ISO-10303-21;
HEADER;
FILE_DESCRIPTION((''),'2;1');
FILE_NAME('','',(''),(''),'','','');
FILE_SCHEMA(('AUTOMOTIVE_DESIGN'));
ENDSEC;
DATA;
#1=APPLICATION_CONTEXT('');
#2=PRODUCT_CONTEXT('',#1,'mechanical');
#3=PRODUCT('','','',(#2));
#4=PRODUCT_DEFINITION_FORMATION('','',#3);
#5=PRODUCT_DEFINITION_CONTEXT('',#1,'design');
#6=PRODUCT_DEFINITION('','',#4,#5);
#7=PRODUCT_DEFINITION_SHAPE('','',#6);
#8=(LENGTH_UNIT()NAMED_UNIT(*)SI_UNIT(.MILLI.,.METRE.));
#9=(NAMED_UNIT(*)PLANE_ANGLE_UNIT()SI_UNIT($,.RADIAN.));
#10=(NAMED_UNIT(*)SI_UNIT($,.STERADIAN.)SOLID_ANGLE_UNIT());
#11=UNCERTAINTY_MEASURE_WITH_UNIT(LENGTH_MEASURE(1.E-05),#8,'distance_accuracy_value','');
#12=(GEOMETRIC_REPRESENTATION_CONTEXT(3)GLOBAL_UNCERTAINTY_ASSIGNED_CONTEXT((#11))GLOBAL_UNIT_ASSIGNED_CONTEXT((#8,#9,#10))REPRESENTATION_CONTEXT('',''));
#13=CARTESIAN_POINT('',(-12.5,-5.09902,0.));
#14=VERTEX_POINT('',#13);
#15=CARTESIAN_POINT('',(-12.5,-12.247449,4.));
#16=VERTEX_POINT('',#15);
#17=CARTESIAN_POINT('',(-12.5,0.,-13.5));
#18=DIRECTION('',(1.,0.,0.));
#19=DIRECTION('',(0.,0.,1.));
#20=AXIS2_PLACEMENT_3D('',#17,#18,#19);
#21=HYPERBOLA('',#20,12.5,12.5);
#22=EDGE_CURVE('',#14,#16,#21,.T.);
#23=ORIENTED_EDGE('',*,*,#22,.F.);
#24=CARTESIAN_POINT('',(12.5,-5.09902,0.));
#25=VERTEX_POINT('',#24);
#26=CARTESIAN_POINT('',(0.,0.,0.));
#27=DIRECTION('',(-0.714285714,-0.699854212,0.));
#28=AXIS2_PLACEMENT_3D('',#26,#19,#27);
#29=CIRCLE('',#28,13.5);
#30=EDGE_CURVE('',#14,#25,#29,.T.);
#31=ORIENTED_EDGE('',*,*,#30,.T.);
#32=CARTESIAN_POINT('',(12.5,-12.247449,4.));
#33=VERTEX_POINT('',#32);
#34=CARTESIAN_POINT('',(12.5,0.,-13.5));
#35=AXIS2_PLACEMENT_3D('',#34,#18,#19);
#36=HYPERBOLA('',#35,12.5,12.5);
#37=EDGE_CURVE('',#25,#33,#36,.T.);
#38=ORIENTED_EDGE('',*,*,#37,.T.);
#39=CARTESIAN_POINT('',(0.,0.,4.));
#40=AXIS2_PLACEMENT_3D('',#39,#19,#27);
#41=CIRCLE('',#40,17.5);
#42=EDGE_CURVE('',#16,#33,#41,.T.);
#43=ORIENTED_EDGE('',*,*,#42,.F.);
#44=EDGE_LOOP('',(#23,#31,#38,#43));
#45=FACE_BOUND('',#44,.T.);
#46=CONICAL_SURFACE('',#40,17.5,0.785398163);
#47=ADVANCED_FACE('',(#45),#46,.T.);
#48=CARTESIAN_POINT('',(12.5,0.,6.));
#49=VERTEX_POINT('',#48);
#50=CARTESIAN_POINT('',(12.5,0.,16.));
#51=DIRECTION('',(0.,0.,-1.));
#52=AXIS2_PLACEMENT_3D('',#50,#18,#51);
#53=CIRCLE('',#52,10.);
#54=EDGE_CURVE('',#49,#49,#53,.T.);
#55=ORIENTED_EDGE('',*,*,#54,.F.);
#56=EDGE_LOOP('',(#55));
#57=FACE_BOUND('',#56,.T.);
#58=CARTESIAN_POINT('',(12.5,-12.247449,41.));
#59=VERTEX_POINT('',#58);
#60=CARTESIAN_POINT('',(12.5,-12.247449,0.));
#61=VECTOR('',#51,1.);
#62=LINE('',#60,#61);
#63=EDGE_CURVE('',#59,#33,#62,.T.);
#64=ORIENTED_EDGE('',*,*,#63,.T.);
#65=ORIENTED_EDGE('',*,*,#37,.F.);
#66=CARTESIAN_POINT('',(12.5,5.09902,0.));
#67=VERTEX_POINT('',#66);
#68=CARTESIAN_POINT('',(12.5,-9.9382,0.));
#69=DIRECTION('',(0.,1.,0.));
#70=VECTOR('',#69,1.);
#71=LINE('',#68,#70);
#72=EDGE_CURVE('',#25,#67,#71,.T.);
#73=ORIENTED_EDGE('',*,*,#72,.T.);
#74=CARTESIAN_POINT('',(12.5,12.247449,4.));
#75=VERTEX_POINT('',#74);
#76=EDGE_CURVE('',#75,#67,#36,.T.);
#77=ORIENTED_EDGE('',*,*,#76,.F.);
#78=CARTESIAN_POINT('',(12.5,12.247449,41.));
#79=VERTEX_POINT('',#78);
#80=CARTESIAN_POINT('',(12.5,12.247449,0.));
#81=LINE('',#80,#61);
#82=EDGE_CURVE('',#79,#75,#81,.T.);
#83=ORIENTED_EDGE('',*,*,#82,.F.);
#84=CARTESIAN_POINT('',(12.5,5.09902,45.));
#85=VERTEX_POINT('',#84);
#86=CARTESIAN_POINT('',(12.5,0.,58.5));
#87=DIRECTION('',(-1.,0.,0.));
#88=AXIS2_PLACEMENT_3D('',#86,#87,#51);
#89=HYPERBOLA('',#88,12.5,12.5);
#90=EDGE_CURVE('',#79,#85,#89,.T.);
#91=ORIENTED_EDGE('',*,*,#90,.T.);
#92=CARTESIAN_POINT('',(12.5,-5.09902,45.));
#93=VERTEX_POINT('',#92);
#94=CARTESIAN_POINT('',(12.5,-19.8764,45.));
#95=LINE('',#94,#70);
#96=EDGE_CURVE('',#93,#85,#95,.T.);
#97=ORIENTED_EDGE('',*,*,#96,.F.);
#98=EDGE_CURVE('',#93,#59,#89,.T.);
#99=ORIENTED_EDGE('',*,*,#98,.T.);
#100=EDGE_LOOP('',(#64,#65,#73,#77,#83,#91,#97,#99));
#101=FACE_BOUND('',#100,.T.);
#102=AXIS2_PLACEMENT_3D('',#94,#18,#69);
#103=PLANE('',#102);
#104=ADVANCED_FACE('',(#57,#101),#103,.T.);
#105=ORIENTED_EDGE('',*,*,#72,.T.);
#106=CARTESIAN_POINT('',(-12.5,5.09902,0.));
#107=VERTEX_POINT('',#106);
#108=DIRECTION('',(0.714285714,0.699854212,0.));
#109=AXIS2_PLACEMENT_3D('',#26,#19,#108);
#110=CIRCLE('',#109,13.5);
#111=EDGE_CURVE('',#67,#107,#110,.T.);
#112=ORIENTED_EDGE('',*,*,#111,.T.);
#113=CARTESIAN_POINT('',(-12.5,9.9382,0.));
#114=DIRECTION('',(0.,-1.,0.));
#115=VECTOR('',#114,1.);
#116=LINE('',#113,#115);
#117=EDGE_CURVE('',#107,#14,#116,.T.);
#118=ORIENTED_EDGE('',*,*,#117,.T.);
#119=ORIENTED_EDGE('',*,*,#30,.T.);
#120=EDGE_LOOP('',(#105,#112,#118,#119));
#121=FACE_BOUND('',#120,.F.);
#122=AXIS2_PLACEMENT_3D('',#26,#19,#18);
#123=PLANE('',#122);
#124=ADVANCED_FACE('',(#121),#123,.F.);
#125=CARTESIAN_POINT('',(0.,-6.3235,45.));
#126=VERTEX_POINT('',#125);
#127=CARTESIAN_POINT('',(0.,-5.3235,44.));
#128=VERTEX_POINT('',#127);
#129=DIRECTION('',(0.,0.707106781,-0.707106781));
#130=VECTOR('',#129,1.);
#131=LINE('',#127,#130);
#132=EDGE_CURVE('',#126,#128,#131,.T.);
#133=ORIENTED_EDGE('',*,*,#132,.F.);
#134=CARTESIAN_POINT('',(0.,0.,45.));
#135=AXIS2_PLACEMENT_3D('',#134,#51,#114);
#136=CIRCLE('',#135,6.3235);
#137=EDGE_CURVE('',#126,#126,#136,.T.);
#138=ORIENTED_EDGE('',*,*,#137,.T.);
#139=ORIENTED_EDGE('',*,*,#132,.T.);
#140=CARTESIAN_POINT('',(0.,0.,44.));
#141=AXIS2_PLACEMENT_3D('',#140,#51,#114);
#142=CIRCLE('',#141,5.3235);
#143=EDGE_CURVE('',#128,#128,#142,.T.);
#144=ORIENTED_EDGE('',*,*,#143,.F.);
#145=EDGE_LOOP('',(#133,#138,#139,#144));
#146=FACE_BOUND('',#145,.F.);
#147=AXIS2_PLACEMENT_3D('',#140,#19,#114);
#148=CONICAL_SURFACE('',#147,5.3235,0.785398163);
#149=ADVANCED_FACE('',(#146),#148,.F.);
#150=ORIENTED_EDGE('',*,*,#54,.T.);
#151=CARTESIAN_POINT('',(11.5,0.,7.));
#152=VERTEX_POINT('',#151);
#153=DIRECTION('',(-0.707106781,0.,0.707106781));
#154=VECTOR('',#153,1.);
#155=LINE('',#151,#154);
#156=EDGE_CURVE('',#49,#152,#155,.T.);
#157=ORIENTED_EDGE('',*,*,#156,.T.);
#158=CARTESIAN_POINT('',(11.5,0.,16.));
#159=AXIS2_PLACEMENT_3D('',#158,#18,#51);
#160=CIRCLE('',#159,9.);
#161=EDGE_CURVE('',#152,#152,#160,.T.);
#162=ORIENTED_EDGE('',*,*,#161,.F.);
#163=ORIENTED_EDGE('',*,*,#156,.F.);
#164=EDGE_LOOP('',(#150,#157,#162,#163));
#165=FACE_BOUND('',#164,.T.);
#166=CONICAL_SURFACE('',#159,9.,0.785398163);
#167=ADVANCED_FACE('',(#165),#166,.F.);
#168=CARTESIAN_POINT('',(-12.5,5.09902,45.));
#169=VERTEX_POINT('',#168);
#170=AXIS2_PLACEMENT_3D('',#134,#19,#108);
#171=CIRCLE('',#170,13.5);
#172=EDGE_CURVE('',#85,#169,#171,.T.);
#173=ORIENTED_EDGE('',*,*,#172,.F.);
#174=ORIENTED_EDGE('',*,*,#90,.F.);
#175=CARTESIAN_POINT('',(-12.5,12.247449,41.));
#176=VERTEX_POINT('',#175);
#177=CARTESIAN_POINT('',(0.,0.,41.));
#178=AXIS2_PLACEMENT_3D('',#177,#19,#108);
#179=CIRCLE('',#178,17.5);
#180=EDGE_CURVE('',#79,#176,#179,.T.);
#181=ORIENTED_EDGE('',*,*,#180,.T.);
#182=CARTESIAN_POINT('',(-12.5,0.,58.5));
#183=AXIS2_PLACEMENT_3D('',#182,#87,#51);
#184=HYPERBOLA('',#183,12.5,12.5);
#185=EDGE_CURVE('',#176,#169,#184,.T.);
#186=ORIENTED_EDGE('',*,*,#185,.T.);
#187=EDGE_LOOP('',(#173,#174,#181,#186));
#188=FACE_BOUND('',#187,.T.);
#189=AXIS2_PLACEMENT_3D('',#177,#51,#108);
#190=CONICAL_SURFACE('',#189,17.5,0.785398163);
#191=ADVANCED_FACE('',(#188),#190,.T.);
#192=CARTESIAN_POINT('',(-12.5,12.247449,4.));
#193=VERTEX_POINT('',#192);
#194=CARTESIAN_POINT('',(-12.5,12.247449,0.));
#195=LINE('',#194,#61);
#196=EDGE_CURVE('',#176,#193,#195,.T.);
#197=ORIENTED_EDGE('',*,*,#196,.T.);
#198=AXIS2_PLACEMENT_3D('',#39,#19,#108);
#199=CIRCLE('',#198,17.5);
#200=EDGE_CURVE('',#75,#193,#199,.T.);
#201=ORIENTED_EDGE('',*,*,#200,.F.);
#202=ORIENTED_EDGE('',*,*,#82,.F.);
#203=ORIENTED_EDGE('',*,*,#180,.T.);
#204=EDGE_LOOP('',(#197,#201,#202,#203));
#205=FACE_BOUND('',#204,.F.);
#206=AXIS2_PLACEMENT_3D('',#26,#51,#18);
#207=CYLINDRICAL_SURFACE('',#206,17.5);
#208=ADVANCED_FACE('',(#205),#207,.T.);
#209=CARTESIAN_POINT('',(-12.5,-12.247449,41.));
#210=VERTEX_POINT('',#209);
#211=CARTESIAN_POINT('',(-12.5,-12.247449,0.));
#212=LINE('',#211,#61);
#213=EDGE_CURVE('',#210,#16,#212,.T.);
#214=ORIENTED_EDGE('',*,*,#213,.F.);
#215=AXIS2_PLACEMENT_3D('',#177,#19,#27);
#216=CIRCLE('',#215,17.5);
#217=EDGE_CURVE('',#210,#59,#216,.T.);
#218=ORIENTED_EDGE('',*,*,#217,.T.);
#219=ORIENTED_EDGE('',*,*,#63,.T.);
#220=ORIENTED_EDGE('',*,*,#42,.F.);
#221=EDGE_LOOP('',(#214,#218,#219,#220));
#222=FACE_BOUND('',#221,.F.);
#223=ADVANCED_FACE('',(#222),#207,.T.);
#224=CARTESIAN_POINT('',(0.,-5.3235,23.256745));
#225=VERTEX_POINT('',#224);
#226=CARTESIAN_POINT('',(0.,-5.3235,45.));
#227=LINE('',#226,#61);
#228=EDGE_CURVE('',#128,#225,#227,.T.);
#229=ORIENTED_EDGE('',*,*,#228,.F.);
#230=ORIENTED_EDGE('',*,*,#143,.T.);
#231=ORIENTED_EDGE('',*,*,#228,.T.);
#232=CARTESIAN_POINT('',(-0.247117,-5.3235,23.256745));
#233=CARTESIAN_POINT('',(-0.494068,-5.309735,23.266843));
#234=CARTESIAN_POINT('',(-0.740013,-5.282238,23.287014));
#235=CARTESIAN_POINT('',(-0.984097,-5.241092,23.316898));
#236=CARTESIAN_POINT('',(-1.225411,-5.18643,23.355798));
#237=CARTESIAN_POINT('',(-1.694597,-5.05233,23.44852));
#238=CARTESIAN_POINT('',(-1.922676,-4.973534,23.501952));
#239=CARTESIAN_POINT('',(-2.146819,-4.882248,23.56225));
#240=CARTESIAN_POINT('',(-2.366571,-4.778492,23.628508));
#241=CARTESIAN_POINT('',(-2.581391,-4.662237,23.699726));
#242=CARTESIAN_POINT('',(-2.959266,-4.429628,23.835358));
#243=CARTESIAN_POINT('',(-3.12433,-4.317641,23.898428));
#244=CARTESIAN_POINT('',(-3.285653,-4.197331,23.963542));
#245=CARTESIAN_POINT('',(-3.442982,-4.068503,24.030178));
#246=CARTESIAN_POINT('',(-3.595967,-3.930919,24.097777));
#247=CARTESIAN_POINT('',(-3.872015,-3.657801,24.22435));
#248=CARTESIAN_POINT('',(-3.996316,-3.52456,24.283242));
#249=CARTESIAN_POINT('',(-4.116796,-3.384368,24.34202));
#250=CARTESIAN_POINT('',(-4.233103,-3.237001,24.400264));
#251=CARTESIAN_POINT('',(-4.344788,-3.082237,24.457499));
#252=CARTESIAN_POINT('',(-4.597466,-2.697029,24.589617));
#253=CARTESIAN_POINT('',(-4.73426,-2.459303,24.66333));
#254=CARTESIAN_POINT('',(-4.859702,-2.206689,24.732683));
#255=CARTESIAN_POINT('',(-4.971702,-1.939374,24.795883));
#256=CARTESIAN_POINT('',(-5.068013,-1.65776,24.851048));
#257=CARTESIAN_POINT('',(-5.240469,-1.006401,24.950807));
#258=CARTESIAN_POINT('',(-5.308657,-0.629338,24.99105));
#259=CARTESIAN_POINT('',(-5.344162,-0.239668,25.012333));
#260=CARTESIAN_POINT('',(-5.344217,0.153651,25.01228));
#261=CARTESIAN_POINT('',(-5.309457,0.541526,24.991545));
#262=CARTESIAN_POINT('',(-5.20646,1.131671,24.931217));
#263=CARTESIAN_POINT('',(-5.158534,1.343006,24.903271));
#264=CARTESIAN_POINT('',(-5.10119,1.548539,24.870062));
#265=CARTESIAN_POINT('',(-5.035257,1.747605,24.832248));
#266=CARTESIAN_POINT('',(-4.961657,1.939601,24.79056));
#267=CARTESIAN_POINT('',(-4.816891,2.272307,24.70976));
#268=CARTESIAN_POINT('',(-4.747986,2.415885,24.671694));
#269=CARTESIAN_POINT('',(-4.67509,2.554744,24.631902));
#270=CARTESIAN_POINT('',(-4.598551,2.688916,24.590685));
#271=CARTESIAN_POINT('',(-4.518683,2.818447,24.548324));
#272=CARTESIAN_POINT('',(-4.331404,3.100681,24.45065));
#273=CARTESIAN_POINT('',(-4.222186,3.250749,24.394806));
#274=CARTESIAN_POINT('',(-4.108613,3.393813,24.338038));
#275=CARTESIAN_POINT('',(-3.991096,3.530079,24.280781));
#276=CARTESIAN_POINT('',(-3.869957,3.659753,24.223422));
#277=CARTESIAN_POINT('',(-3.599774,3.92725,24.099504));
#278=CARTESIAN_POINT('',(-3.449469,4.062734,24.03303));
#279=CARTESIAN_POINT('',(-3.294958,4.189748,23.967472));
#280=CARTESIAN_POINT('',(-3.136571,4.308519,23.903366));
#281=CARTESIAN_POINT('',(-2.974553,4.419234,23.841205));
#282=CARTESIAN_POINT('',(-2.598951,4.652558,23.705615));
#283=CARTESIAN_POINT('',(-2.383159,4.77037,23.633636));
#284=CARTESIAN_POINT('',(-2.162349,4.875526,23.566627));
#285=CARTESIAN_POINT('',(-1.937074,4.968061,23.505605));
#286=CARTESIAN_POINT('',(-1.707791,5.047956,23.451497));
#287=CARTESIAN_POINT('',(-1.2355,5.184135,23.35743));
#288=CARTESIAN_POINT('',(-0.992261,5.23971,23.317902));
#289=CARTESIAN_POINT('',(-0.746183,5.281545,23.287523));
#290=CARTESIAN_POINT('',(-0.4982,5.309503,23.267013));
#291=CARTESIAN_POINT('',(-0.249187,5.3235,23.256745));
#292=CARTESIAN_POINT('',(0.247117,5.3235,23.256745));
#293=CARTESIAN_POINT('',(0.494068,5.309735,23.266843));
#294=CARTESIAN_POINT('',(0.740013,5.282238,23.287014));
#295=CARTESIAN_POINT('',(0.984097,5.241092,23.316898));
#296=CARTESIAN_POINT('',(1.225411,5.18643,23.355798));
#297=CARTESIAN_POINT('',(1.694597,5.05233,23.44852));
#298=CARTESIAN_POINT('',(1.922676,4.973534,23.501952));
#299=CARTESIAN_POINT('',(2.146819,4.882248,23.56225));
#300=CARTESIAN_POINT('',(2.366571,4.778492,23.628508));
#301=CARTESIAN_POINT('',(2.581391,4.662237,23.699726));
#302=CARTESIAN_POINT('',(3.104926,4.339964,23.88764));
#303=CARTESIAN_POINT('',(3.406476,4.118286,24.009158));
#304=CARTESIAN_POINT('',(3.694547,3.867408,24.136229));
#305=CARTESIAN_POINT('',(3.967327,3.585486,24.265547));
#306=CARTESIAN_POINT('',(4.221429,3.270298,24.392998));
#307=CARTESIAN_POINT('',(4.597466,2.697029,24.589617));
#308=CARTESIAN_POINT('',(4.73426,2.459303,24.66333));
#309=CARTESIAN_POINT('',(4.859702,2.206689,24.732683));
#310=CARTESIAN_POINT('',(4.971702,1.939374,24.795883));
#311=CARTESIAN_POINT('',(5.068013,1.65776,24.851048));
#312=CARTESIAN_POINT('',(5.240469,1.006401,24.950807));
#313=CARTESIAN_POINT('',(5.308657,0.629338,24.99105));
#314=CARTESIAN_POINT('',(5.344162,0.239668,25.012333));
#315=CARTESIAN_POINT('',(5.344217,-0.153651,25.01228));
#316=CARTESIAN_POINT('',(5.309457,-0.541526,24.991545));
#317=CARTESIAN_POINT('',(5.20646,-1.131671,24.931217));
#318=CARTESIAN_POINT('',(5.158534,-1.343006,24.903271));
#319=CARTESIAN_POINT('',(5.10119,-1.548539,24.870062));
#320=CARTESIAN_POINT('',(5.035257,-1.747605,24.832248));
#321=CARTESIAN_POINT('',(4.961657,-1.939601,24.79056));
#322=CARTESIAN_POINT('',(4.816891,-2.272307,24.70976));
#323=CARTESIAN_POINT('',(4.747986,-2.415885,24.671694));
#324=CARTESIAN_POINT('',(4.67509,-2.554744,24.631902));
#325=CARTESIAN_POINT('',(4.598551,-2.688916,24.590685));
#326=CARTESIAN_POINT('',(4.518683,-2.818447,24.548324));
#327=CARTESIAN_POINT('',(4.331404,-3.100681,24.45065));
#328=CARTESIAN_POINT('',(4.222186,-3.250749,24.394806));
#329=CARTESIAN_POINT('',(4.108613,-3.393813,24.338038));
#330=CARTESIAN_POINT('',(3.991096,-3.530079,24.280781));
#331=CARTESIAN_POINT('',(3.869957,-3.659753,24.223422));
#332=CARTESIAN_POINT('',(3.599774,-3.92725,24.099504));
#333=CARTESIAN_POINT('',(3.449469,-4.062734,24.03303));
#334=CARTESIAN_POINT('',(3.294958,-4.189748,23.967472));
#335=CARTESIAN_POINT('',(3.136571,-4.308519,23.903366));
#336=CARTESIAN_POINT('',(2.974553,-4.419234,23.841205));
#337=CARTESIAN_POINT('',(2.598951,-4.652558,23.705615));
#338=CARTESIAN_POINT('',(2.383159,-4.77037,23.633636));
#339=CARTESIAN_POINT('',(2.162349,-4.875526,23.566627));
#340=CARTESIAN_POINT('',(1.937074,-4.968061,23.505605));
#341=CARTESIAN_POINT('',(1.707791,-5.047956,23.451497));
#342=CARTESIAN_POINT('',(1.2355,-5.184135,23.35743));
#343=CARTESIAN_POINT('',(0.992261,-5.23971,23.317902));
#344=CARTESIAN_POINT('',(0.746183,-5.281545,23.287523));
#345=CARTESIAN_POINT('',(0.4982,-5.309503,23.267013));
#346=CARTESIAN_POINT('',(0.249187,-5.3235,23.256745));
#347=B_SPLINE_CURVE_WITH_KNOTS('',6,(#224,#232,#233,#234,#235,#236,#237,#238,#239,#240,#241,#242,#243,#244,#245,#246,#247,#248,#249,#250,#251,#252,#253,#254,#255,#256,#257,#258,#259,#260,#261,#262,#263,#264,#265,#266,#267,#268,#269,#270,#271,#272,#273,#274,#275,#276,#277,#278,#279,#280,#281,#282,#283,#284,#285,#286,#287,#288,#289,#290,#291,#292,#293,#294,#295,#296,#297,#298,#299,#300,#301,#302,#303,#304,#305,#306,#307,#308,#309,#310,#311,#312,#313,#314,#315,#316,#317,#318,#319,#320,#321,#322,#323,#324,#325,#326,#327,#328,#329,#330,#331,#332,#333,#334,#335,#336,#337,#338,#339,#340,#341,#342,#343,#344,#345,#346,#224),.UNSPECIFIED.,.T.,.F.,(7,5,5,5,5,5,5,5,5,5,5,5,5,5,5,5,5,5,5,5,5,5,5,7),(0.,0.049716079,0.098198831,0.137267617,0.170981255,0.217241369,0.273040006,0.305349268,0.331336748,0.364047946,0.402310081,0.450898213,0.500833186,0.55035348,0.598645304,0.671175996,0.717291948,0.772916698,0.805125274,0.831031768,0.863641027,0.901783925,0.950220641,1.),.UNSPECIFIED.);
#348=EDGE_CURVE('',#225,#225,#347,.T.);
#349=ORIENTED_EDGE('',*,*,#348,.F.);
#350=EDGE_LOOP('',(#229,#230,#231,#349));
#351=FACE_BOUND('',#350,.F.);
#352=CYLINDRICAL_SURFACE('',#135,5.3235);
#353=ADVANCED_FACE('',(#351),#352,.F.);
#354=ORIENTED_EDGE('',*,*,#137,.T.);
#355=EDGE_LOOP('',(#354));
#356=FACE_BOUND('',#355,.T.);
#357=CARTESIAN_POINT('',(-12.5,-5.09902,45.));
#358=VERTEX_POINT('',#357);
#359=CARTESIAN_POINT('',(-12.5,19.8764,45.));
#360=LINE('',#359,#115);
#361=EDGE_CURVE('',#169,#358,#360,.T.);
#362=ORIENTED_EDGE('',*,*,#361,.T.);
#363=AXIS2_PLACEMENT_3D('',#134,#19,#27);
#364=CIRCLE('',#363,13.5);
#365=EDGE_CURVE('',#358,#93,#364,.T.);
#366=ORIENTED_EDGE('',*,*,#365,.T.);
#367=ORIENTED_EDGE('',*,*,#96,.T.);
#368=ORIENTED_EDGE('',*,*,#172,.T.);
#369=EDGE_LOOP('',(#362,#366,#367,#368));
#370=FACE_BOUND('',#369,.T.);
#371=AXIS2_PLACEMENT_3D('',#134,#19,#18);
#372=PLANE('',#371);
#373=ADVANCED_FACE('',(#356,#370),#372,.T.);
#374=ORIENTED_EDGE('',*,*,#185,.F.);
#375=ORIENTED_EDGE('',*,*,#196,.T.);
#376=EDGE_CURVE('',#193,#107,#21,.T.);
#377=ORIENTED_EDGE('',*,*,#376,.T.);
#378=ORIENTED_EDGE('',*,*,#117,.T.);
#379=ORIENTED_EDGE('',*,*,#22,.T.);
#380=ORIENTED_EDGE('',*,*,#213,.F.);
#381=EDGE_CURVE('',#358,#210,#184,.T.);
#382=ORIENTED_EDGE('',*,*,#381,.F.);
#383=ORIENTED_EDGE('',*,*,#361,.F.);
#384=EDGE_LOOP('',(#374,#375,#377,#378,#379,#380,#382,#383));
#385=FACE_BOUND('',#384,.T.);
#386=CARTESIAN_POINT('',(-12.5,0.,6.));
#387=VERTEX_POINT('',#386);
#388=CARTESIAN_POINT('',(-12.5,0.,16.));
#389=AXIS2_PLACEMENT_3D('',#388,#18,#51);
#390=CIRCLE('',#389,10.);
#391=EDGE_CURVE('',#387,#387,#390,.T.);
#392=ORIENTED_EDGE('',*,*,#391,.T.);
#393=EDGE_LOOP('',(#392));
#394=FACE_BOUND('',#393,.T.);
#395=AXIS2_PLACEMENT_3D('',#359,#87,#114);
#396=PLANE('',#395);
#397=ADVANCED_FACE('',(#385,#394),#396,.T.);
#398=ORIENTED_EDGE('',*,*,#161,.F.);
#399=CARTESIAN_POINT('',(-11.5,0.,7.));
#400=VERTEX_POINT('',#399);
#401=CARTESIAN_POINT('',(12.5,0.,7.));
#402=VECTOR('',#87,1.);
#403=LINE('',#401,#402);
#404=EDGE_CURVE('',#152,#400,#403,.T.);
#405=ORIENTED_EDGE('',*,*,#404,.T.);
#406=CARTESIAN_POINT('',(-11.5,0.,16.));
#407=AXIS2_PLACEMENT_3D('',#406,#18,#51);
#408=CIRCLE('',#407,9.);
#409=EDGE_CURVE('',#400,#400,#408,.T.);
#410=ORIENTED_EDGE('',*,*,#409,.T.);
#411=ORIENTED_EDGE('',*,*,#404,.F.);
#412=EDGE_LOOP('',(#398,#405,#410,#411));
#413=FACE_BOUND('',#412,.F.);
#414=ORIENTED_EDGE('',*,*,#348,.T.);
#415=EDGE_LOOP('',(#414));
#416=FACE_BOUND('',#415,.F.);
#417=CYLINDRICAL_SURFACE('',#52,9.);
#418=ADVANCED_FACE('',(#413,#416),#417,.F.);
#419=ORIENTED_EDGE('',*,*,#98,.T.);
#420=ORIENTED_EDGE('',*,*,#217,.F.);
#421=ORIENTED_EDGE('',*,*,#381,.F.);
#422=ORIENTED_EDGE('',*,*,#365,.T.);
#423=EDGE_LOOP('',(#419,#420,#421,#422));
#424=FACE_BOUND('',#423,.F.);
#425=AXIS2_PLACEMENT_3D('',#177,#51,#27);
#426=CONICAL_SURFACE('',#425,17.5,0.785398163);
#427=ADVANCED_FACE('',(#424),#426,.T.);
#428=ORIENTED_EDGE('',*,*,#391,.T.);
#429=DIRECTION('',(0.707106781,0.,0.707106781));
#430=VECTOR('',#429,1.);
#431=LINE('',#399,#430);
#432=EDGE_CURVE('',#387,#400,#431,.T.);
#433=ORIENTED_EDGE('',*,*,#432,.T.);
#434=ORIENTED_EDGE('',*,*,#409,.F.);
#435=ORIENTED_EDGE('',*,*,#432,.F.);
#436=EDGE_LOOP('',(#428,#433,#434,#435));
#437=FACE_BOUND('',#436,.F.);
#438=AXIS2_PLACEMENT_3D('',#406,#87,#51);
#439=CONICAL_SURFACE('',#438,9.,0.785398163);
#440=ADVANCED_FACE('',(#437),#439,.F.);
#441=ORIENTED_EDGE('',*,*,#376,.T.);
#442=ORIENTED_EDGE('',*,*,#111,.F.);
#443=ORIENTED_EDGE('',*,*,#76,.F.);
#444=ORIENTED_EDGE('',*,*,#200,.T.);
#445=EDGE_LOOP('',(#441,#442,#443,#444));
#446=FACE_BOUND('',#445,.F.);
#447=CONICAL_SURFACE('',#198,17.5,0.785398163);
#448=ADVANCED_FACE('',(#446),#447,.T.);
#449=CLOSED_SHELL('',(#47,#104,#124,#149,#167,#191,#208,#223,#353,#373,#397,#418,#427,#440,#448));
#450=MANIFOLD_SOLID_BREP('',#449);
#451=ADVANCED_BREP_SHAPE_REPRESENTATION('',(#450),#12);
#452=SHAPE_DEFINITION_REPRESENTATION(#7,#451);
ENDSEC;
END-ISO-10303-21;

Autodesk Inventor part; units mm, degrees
ref_plane "YZ Plane" through (0, 0, 0) normal (1, 0, 0) x (0, 1, 0)
ref_plane "XZ Plane" through (0, 0, 0) normal (0, 1, 0) x (-1, 0, 0)
ref_plane "XY Plane" through (0, 0, 0) normal (0, 0, 1) x (1, 0, 0)
sketch "Sketch1" plane through (0, 0, 0) normal (0, 0, 1) x (1, 0, 0)
  circle A0 centre (0, 0) radius 17.5
  dimension "d0" = 35
extrude "Extrusion1" add sketch "Sketch1" along normal blind 45
sketch "Sketch2" plane through (0, 0, 45) normal (0, 0, 1) x (1, 0, 0)
  line L0 (12.5, 21.9531) -> (30.6636, 21.9531)
  line L1 (30.6636, 21.9531) -> (30.6636, -19.8764)
  line L2 (30.6636, -19.8764) -> (12.5, -19.8764)
  line L3 (12.5, -19.8764) -> (12.5, 21.9531)
  point P0 (0, 0)
  dimension "d3" = 12.5
extrude "Extrusion2" cut sketch "Sketch2" against normal through all
pattern_circular "Circular Pattern1" count 2 over 360 about axis through (0, 0, 0) along (0, 0, 1) of "Extrusion2"
sketch "Sketch3" plane through (12.5, -12.2474, 45) normal (1, 0, 0) x (0, 0, -1)
  circle A0 centre (29, 12.2474) radius 9
  line L0 (45, 24.4949) -> (45, 0) projected
  point P0 (45, 12.2474)
  point P1 (45, 12.2474)
  dimension "d9" = 18
  dimension "d10" = 16
extrude "Extrusion3" cut sketch "Sketch3" against normal through all
sketch "Sketch4" plane through (0, 0, 45) normal (0, 0, 1) x (1, 0, 0)
  arc A0 (12.5, 12.2474) -> (-12.5, 12.2474) centre (0, 0) ccw projected
hole "Hole1" at (0, 0, 45) direction (0, 0, -1) diameter 10.647 depth 25 tip angle 118 thread size "M12x1.25" class "6H" standard "ISO Metric profile"
chamfer "Chamfer1" distance 4 angle 45 4 edges at (0, 17.5, 0) (0, -17.5, 0) (0, 17.5, 45) (0, -17.5, 45)
chamfer "Chamfer2" distance 1 angle 45 1 edges at (0, 5.3235, 45)
chamfer "Chamfer3" distance 1 angle 45 2 edges at (12.5, 0, 25) (-12.5, 0, 25)
properties part number "IMS-01-001" material "Steel, Carbon"
